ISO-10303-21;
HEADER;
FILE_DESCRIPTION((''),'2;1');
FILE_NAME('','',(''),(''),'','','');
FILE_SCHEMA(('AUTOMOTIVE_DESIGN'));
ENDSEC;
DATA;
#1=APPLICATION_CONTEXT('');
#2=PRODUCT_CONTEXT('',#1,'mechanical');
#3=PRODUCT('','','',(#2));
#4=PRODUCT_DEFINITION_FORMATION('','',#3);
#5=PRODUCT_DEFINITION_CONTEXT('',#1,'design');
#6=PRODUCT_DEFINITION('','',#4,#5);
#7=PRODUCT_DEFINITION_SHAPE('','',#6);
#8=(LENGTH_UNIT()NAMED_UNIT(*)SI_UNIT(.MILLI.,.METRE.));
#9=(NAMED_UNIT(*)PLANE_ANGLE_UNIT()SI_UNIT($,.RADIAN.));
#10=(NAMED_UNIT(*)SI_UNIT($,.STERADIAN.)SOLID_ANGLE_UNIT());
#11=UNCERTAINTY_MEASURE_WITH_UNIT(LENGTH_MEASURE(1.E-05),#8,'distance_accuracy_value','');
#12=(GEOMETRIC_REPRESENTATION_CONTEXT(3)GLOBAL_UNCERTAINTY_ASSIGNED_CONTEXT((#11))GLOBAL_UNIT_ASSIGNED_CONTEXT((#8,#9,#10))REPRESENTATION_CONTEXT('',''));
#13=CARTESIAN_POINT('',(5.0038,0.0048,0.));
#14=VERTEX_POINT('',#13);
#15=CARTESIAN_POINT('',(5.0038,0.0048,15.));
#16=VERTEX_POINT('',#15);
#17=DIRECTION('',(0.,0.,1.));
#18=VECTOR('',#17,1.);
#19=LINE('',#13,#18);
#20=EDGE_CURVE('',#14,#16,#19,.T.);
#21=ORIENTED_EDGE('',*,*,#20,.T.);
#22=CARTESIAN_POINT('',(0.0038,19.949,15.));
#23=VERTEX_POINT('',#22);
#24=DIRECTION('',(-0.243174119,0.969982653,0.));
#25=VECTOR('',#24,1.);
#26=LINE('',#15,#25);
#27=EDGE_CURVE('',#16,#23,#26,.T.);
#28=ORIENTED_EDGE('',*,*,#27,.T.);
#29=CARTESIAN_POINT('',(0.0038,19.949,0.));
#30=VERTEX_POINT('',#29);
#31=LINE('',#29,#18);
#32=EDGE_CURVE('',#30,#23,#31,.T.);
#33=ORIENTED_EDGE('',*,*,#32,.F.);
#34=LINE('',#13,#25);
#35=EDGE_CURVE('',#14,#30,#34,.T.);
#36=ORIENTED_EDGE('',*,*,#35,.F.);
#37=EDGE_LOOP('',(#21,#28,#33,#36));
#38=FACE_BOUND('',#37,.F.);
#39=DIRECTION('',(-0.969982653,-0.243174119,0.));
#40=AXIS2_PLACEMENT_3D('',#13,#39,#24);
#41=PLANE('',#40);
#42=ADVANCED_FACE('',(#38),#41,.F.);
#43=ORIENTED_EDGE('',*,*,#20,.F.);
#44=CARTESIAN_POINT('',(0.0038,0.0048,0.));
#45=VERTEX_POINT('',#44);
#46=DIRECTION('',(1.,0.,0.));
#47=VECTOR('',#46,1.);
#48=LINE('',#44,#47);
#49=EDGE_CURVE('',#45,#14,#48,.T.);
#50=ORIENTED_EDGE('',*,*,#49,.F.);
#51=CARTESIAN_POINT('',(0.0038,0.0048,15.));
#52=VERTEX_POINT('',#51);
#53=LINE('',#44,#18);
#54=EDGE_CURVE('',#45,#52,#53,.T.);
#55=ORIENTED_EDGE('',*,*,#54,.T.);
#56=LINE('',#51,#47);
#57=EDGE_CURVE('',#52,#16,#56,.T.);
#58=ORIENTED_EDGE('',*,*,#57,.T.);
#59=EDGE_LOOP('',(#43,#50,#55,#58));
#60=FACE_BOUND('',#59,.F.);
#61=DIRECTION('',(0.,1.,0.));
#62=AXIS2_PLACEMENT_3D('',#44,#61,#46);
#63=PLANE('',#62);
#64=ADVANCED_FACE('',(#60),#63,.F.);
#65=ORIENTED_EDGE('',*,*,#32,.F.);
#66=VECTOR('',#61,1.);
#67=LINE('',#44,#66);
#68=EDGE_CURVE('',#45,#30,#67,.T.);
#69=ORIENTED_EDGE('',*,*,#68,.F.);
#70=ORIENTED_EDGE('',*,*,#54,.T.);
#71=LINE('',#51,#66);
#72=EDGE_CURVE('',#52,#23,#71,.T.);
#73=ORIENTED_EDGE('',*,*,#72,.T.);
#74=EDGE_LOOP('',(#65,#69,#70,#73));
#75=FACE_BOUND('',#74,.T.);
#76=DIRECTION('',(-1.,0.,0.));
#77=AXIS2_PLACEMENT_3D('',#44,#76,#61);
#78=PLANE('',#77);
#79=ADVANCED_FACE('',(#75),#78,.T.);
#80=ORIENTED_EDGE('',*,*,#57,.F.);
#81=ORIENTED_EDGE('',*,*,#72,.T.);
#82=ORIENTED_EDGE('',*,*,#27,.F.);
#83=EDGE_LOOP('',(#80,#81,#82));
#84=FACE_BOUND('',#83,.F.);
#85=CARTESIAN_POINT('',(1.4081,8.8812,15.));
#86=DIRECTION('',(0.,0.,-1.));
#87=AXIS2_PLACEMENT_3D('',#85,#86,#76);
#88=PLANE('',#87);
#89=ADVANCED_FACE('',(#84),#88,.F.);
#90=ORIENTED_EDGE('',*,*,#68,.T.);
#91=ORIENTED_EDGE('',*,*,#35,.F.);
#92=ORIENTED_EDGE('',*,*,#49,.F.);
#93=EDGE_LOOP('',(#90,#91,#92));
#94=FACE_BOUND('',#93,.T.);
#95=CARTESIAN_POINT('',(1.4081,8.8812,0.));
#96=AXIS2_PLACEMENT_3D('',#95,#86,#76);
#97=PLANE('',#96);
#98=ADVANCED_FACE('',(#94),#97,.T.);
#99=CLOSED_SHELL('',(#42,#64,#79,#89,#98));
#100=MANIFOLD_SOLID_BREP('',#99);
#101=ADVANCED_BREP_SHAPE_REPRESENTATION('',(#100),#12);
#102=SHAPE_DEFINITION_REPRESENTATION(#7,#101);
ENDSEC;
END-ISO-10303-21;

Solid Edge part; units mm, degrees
sketch "Sketch1" plane through (0, 0, 0) normal (0, 0, 1) x (1, 0, 0)
  line L0 (0.0038, 0.0048) -> (0.0038, 19.949)
  line L1 (5.0038, 0.0048) -> (0.0038, 19.949)
  line L2 (0.0038, 0.0048) -> (5.0038, 0.0048)
extrude "Protrusion1" add sketch "Sketch1" along normal blind 15
